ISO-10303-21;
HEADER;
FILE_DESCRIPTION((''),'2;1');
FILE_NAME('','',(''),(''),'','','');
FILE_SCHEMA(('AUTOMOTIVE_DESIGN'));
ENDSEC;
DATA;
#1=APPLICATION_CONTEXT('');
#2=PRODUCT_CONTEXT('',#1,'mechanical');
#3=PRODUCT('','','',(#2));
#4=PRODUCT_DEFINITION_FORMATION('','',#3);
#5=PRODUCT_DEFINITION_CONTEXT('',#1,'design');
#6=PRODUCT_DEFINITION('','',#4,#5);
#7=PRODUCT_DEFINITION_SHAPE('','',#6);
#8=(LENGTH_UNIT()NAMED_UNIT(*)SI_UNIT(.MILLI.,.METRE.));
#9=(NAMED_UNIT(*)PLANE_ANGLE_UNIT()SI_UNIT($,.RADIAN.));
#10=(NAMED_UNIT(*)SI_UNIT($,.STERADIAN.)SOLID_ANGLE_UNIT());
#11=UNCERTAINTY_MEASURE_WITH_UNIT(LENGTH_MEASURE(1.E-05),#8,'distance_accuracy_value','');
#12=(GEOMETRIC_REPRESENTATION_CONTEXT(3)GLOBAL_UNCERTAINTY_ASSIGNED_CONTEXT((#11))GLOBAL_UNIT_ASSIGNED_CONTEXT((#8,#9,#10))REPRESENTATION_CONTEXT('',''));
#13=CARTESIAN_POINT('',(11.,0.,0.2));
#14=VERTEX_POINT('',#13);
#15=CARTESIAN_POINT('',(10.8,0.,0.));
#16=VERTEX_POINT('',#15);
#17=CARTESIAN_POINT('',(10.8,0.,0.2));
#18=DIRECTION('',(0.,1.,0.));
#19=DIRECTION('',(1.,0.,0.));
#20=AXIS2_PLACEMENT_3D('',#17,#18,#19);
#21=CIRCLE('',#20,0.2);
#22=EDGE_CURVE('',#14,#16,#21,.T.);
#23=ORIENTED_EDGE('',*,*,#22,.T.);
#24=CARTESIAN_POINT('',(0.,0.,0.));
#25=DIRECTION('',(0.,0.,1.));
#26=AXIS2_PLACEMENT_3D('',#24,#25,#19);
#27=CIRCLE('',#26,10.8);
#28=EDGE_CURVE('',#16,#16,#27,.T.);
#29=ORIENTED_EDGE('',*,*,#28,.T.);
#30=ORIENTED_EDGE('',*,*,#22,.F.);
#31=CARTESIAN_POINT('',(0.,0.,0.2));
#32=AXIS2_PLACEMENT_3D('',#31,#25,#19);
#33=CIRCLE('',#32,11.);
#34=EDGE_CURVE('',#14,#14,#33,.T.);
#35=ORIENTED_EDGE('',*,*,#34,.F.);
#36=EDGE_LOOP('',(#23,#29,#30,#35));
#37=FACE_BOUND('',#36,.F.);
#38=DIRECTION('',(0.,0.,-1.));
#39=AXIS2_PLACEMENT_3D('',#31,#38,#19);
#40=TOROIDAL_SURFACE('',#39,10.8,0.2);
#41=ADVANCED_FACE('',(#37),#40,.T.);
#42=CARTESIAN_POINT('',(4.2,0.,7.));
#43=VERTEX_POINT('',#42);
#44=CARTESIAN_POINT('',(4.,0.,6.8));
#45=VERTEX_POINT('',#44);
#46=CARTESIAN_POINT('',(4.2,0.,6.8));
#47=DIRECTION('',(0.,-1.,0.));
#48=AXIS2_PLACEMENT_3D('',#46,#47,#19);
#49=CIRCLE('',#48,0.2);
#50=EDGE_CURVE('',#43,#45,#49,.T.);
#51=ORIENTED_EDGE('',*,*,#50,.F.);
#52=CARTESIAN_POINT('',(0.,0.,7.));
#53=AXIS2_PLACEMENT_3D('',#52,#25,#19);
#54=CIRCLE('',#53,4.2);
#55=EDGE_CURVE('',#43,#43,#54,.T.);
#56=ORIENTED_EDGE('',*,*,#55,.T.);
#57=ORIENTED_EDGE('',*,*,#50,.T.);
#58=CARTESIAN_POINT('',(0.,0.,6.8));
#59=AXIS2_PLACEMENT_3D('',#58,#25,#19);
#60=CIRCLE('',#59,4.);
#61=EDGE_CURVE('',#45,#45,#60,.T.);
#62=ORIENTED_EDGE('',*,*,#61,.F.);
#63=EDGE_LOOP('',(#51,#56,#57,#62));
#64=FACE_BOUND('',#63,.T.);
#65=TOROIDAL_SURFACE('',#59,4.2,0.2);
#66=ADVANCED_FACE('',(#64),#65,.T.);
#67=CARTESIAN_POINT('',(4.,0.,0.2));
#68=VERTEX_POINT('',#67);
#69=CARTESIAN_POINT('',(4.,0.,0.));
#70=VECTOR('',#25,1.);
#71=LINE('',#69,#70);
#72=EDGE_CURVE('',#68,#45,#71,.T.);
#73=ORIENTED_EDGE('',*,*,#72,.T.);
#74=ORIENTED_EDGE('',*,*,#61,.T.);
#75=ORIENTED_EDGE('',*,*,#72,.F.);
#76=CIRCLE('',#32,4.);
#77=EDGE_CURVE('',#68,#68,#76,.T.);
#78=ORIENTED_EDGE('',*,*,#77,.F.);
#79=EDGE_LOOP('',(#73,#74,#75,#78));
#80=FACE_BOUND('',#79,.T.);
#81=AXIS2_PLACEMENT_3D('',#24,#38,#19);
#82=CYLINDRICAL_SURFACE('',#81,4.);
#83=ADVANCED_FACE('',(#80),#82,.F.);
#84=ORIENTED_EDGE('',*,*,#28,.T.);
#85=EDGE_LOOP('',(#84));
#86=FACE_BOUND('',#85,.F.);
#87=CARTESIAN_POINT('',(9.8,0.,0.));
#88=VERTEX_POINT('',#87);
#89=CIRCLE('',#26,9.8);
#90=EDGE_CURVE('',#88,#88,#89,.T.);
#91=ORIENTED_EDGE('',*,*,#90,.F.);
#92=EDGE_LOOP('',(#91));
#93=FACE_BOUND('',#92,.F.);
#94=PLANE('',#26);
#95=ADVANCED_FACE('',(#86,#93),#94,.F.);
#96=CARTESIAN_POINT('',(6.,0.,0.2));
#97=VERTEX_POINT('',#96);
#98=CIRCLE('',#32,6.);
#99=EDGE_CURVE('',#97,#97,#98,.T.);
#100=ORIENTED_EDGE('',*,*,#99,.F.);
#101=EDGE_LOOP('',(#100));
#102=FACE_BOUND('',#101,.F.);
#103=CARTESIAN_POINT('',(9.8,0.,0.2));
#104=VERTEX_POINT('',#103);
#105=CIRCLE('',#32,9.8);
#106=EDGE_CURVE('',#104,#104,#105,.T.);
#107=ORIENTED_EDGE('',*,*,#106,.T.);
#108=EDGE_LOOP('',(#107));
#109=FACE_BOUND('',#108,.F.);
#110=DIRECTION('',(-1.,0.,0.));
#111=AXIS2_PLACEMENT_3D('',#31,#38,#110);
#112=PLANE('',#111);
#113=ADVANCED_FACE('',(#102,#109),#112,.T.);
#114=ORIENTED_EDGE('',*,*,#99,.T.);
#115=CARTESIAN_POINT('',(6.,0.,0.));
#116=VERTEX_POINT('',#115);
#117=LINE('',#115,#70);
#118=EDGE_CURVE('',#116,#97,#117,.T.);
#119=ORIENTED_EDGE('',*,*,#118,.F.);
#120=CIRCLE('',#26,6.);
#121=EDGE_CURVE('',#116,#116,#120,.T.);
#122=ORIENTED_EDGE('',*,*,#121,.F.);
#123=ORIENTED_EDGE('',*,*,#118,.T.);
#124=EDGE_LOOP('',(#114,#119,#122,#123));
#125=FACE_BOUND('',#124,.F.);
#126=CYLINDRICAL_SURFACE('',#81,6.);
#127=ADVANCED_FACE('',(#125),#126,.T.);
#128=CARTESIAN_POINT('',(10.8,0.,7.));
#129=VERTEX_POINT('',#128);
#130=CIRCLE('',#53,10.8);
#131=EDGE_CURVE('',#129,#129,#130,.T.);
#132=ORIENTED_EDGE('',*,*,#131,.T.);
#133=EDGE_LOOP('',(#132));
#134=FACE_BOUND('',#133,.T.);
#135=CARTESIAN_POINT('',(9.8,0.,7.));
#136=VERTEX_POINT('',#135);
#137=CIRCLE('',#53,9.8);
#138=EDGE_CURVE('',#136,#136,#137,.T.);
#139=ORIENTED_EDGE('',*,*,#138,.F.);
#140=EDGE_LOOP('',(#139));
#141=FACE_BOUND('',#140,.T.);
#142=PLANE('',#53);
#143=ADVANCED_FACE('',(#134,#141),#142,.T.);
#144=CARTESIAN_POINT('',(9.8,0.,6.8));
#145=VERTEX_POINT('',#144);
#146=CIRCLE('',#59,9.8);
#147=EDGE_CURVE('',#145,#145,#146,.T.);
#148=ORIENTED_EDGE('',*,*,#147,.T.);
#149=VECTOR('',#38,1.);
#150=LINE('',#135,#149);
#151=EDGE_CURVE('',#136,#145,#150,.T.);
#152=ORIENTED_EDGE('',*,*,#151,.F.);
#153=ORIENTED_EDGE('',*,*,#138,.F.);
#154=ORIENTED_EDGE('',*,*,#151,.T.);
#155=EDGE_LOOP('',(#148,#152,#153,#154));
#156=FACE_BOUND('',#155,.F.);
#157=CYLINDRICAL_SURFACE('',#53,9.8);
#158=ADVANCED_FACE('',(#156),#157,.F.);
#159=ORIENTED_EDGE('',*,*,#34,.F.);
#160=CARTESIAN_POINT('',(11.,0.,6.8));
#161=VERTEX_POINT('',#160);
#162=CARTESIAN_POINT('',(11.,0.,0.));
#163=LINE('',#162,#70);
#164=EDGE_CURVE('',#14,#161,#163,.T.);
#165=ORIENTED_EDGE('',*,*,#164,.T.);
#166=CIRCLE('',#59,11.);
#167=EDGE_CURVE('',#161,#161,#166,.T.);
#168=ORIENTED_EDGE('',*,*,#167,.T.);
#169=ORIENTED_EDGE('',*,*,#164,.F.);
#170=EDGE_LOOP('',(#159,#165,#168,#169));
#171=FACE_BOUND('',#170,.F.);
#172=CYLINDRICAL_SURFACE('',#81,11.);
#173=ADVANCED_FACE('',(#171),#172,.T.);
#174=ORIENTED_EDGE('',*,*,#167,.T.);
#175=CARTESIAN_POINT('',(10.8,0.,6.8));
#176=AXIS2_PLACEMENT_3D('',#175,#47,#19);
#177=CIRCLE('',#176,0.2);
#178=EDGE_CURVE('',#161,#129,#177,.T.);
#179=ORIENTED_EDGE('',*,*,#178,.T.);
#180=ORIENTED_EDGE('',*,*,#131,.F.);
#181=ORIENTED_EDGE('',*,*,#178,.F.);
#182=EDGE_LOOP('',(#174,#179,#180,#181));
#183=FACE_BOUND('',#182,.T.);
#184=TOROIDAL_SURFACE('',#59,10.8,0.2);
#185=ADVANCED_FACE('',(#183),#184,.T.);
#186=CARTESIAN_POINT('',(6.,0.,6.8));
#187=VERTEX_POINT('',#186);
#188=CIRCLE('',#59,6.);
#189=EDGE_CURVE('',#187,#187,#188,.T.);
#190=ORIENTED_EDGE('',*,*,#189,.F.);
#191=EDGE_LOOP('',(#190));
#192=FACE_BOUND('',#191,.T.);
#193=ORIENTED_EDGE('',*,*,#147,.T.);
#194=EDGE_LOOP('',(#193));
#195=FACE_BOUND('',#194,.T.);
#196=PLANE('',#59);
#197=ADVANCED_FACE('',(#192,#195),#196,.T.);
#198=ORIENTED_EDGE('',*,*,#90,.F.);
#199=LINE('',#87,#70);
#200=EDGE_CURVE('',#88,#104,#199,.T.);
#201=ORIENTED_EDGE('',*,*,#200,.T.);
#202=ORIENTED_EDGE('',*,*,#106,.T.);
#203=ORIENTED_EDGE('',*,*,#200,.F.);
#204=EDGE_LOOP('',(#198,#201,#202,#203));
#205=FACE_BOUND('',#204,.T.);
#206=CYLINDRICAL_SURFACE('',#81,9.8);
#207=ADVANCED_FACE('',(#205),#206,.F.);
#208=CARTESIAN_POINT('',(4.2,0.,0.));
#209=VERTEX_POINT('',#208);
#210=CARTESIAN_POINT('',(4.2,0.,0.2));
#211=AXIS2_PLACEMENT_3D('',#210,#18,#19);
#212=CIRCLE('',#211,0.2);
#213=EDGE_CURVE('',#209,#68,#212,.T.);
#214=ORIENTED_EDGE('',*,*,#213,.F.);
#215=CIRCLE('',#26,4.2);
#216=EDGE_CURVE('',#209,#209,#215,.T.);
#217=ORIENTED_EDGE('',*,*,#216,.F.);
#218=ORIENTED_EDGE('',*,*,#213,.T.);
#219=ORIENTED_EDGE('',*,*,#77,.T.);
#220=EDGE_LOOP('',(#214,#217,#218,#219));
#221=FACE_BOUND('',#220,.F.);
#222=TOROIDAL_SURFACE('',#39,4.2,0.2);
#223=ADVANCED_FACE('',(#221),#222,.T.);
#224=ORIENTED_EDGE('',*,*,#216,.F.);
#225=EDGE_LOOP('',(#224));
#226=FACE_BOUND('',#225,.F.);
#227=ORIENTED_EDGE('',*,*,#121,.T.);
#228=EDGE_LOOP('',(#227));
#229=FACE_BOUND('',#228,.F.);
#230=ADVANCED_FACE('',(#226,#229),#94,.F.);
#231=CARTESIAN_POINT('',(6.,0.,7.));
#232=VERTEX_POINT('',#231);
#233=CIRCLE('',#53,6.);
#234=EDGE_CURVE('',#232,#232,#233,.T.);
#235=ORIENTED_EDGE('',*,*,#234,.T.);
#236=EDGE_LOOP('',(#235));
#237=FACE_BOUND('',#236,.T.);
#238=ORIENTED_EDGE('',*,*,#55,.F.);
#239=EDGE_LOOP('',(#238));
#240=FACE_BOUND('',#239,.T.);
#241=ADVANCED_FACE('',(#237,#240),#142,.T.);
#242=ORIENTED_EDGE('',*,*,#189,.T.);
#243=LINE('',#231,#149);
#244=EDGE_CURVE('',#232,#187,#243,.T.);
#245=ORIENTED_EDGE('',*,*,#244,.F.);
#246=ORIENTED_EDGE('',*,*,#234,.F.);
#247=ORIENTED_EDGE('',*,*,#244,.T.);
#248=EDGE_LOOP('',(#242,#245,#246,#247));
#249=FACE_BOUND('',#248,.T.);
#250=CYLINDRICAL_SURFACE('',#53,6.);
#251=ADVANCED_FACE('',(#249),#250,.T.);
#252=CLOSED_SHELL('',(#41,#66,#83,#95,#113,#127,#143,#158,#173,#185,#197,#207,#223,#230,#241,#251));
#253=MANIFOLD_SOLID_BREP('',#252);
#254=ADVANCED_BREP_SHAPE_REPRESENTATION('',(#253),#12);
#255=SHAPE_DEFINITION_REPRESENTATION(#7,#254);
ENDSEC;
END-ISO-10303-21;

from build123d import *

# Parameters (mm, degrees)
SKETCH1_R           = 11
SKETCH1_R_2         = 4
BOSS_EXTRUDE1_DEPTH = 7
SKETCH2_R           = 9.8
SKETCH2_R_2         = 6
CUT_EXTRUDE1_DEPTH  = 0.2
FILLET1_R           = 0.2


with BuildPart() as part:
    # Sketch1 → Boss-Extrude1 (new body)
    with BuildSketch(Plane.XY):
        Circle(SKETCH1_R)
        Circle(SKETCH1_R_2, mode=Mode.SUBTRACT)
    extrude(amount=BOSS_EXTRUDE1_DEPTH)

    # Sketch2 → Cut-Extrude1 (cut)
    with BuildSketch(Plane.XY.offset(7)):
        Circle(SKETCH2_R)
        Circle(SKETCH2_R_2, mode=Mode.SUBTRACT)
    cut_extrude1 = extrude(amount=-CUT_EXTRUDE1_DEPTH, mode=Mode.SUBTRACT)

    # Mirror1: Cut-Extrude1 across plane
    add(cut_extrude1.mirror(Plane.XY.offset(3.5)), mode=Mode.SUBTRACT)

    # Fillet1
    fillet1_edges = [part.edges().sort_by_distance(p)[0] for p in [
        (-11, 0, 0),
        (-11, 0, 7),
        (-4, 0, 0),
        (-4, 0, 7),
    ]]
    fillet(fillet1_edges, radius=FILLET1_R)


solid = part.part
